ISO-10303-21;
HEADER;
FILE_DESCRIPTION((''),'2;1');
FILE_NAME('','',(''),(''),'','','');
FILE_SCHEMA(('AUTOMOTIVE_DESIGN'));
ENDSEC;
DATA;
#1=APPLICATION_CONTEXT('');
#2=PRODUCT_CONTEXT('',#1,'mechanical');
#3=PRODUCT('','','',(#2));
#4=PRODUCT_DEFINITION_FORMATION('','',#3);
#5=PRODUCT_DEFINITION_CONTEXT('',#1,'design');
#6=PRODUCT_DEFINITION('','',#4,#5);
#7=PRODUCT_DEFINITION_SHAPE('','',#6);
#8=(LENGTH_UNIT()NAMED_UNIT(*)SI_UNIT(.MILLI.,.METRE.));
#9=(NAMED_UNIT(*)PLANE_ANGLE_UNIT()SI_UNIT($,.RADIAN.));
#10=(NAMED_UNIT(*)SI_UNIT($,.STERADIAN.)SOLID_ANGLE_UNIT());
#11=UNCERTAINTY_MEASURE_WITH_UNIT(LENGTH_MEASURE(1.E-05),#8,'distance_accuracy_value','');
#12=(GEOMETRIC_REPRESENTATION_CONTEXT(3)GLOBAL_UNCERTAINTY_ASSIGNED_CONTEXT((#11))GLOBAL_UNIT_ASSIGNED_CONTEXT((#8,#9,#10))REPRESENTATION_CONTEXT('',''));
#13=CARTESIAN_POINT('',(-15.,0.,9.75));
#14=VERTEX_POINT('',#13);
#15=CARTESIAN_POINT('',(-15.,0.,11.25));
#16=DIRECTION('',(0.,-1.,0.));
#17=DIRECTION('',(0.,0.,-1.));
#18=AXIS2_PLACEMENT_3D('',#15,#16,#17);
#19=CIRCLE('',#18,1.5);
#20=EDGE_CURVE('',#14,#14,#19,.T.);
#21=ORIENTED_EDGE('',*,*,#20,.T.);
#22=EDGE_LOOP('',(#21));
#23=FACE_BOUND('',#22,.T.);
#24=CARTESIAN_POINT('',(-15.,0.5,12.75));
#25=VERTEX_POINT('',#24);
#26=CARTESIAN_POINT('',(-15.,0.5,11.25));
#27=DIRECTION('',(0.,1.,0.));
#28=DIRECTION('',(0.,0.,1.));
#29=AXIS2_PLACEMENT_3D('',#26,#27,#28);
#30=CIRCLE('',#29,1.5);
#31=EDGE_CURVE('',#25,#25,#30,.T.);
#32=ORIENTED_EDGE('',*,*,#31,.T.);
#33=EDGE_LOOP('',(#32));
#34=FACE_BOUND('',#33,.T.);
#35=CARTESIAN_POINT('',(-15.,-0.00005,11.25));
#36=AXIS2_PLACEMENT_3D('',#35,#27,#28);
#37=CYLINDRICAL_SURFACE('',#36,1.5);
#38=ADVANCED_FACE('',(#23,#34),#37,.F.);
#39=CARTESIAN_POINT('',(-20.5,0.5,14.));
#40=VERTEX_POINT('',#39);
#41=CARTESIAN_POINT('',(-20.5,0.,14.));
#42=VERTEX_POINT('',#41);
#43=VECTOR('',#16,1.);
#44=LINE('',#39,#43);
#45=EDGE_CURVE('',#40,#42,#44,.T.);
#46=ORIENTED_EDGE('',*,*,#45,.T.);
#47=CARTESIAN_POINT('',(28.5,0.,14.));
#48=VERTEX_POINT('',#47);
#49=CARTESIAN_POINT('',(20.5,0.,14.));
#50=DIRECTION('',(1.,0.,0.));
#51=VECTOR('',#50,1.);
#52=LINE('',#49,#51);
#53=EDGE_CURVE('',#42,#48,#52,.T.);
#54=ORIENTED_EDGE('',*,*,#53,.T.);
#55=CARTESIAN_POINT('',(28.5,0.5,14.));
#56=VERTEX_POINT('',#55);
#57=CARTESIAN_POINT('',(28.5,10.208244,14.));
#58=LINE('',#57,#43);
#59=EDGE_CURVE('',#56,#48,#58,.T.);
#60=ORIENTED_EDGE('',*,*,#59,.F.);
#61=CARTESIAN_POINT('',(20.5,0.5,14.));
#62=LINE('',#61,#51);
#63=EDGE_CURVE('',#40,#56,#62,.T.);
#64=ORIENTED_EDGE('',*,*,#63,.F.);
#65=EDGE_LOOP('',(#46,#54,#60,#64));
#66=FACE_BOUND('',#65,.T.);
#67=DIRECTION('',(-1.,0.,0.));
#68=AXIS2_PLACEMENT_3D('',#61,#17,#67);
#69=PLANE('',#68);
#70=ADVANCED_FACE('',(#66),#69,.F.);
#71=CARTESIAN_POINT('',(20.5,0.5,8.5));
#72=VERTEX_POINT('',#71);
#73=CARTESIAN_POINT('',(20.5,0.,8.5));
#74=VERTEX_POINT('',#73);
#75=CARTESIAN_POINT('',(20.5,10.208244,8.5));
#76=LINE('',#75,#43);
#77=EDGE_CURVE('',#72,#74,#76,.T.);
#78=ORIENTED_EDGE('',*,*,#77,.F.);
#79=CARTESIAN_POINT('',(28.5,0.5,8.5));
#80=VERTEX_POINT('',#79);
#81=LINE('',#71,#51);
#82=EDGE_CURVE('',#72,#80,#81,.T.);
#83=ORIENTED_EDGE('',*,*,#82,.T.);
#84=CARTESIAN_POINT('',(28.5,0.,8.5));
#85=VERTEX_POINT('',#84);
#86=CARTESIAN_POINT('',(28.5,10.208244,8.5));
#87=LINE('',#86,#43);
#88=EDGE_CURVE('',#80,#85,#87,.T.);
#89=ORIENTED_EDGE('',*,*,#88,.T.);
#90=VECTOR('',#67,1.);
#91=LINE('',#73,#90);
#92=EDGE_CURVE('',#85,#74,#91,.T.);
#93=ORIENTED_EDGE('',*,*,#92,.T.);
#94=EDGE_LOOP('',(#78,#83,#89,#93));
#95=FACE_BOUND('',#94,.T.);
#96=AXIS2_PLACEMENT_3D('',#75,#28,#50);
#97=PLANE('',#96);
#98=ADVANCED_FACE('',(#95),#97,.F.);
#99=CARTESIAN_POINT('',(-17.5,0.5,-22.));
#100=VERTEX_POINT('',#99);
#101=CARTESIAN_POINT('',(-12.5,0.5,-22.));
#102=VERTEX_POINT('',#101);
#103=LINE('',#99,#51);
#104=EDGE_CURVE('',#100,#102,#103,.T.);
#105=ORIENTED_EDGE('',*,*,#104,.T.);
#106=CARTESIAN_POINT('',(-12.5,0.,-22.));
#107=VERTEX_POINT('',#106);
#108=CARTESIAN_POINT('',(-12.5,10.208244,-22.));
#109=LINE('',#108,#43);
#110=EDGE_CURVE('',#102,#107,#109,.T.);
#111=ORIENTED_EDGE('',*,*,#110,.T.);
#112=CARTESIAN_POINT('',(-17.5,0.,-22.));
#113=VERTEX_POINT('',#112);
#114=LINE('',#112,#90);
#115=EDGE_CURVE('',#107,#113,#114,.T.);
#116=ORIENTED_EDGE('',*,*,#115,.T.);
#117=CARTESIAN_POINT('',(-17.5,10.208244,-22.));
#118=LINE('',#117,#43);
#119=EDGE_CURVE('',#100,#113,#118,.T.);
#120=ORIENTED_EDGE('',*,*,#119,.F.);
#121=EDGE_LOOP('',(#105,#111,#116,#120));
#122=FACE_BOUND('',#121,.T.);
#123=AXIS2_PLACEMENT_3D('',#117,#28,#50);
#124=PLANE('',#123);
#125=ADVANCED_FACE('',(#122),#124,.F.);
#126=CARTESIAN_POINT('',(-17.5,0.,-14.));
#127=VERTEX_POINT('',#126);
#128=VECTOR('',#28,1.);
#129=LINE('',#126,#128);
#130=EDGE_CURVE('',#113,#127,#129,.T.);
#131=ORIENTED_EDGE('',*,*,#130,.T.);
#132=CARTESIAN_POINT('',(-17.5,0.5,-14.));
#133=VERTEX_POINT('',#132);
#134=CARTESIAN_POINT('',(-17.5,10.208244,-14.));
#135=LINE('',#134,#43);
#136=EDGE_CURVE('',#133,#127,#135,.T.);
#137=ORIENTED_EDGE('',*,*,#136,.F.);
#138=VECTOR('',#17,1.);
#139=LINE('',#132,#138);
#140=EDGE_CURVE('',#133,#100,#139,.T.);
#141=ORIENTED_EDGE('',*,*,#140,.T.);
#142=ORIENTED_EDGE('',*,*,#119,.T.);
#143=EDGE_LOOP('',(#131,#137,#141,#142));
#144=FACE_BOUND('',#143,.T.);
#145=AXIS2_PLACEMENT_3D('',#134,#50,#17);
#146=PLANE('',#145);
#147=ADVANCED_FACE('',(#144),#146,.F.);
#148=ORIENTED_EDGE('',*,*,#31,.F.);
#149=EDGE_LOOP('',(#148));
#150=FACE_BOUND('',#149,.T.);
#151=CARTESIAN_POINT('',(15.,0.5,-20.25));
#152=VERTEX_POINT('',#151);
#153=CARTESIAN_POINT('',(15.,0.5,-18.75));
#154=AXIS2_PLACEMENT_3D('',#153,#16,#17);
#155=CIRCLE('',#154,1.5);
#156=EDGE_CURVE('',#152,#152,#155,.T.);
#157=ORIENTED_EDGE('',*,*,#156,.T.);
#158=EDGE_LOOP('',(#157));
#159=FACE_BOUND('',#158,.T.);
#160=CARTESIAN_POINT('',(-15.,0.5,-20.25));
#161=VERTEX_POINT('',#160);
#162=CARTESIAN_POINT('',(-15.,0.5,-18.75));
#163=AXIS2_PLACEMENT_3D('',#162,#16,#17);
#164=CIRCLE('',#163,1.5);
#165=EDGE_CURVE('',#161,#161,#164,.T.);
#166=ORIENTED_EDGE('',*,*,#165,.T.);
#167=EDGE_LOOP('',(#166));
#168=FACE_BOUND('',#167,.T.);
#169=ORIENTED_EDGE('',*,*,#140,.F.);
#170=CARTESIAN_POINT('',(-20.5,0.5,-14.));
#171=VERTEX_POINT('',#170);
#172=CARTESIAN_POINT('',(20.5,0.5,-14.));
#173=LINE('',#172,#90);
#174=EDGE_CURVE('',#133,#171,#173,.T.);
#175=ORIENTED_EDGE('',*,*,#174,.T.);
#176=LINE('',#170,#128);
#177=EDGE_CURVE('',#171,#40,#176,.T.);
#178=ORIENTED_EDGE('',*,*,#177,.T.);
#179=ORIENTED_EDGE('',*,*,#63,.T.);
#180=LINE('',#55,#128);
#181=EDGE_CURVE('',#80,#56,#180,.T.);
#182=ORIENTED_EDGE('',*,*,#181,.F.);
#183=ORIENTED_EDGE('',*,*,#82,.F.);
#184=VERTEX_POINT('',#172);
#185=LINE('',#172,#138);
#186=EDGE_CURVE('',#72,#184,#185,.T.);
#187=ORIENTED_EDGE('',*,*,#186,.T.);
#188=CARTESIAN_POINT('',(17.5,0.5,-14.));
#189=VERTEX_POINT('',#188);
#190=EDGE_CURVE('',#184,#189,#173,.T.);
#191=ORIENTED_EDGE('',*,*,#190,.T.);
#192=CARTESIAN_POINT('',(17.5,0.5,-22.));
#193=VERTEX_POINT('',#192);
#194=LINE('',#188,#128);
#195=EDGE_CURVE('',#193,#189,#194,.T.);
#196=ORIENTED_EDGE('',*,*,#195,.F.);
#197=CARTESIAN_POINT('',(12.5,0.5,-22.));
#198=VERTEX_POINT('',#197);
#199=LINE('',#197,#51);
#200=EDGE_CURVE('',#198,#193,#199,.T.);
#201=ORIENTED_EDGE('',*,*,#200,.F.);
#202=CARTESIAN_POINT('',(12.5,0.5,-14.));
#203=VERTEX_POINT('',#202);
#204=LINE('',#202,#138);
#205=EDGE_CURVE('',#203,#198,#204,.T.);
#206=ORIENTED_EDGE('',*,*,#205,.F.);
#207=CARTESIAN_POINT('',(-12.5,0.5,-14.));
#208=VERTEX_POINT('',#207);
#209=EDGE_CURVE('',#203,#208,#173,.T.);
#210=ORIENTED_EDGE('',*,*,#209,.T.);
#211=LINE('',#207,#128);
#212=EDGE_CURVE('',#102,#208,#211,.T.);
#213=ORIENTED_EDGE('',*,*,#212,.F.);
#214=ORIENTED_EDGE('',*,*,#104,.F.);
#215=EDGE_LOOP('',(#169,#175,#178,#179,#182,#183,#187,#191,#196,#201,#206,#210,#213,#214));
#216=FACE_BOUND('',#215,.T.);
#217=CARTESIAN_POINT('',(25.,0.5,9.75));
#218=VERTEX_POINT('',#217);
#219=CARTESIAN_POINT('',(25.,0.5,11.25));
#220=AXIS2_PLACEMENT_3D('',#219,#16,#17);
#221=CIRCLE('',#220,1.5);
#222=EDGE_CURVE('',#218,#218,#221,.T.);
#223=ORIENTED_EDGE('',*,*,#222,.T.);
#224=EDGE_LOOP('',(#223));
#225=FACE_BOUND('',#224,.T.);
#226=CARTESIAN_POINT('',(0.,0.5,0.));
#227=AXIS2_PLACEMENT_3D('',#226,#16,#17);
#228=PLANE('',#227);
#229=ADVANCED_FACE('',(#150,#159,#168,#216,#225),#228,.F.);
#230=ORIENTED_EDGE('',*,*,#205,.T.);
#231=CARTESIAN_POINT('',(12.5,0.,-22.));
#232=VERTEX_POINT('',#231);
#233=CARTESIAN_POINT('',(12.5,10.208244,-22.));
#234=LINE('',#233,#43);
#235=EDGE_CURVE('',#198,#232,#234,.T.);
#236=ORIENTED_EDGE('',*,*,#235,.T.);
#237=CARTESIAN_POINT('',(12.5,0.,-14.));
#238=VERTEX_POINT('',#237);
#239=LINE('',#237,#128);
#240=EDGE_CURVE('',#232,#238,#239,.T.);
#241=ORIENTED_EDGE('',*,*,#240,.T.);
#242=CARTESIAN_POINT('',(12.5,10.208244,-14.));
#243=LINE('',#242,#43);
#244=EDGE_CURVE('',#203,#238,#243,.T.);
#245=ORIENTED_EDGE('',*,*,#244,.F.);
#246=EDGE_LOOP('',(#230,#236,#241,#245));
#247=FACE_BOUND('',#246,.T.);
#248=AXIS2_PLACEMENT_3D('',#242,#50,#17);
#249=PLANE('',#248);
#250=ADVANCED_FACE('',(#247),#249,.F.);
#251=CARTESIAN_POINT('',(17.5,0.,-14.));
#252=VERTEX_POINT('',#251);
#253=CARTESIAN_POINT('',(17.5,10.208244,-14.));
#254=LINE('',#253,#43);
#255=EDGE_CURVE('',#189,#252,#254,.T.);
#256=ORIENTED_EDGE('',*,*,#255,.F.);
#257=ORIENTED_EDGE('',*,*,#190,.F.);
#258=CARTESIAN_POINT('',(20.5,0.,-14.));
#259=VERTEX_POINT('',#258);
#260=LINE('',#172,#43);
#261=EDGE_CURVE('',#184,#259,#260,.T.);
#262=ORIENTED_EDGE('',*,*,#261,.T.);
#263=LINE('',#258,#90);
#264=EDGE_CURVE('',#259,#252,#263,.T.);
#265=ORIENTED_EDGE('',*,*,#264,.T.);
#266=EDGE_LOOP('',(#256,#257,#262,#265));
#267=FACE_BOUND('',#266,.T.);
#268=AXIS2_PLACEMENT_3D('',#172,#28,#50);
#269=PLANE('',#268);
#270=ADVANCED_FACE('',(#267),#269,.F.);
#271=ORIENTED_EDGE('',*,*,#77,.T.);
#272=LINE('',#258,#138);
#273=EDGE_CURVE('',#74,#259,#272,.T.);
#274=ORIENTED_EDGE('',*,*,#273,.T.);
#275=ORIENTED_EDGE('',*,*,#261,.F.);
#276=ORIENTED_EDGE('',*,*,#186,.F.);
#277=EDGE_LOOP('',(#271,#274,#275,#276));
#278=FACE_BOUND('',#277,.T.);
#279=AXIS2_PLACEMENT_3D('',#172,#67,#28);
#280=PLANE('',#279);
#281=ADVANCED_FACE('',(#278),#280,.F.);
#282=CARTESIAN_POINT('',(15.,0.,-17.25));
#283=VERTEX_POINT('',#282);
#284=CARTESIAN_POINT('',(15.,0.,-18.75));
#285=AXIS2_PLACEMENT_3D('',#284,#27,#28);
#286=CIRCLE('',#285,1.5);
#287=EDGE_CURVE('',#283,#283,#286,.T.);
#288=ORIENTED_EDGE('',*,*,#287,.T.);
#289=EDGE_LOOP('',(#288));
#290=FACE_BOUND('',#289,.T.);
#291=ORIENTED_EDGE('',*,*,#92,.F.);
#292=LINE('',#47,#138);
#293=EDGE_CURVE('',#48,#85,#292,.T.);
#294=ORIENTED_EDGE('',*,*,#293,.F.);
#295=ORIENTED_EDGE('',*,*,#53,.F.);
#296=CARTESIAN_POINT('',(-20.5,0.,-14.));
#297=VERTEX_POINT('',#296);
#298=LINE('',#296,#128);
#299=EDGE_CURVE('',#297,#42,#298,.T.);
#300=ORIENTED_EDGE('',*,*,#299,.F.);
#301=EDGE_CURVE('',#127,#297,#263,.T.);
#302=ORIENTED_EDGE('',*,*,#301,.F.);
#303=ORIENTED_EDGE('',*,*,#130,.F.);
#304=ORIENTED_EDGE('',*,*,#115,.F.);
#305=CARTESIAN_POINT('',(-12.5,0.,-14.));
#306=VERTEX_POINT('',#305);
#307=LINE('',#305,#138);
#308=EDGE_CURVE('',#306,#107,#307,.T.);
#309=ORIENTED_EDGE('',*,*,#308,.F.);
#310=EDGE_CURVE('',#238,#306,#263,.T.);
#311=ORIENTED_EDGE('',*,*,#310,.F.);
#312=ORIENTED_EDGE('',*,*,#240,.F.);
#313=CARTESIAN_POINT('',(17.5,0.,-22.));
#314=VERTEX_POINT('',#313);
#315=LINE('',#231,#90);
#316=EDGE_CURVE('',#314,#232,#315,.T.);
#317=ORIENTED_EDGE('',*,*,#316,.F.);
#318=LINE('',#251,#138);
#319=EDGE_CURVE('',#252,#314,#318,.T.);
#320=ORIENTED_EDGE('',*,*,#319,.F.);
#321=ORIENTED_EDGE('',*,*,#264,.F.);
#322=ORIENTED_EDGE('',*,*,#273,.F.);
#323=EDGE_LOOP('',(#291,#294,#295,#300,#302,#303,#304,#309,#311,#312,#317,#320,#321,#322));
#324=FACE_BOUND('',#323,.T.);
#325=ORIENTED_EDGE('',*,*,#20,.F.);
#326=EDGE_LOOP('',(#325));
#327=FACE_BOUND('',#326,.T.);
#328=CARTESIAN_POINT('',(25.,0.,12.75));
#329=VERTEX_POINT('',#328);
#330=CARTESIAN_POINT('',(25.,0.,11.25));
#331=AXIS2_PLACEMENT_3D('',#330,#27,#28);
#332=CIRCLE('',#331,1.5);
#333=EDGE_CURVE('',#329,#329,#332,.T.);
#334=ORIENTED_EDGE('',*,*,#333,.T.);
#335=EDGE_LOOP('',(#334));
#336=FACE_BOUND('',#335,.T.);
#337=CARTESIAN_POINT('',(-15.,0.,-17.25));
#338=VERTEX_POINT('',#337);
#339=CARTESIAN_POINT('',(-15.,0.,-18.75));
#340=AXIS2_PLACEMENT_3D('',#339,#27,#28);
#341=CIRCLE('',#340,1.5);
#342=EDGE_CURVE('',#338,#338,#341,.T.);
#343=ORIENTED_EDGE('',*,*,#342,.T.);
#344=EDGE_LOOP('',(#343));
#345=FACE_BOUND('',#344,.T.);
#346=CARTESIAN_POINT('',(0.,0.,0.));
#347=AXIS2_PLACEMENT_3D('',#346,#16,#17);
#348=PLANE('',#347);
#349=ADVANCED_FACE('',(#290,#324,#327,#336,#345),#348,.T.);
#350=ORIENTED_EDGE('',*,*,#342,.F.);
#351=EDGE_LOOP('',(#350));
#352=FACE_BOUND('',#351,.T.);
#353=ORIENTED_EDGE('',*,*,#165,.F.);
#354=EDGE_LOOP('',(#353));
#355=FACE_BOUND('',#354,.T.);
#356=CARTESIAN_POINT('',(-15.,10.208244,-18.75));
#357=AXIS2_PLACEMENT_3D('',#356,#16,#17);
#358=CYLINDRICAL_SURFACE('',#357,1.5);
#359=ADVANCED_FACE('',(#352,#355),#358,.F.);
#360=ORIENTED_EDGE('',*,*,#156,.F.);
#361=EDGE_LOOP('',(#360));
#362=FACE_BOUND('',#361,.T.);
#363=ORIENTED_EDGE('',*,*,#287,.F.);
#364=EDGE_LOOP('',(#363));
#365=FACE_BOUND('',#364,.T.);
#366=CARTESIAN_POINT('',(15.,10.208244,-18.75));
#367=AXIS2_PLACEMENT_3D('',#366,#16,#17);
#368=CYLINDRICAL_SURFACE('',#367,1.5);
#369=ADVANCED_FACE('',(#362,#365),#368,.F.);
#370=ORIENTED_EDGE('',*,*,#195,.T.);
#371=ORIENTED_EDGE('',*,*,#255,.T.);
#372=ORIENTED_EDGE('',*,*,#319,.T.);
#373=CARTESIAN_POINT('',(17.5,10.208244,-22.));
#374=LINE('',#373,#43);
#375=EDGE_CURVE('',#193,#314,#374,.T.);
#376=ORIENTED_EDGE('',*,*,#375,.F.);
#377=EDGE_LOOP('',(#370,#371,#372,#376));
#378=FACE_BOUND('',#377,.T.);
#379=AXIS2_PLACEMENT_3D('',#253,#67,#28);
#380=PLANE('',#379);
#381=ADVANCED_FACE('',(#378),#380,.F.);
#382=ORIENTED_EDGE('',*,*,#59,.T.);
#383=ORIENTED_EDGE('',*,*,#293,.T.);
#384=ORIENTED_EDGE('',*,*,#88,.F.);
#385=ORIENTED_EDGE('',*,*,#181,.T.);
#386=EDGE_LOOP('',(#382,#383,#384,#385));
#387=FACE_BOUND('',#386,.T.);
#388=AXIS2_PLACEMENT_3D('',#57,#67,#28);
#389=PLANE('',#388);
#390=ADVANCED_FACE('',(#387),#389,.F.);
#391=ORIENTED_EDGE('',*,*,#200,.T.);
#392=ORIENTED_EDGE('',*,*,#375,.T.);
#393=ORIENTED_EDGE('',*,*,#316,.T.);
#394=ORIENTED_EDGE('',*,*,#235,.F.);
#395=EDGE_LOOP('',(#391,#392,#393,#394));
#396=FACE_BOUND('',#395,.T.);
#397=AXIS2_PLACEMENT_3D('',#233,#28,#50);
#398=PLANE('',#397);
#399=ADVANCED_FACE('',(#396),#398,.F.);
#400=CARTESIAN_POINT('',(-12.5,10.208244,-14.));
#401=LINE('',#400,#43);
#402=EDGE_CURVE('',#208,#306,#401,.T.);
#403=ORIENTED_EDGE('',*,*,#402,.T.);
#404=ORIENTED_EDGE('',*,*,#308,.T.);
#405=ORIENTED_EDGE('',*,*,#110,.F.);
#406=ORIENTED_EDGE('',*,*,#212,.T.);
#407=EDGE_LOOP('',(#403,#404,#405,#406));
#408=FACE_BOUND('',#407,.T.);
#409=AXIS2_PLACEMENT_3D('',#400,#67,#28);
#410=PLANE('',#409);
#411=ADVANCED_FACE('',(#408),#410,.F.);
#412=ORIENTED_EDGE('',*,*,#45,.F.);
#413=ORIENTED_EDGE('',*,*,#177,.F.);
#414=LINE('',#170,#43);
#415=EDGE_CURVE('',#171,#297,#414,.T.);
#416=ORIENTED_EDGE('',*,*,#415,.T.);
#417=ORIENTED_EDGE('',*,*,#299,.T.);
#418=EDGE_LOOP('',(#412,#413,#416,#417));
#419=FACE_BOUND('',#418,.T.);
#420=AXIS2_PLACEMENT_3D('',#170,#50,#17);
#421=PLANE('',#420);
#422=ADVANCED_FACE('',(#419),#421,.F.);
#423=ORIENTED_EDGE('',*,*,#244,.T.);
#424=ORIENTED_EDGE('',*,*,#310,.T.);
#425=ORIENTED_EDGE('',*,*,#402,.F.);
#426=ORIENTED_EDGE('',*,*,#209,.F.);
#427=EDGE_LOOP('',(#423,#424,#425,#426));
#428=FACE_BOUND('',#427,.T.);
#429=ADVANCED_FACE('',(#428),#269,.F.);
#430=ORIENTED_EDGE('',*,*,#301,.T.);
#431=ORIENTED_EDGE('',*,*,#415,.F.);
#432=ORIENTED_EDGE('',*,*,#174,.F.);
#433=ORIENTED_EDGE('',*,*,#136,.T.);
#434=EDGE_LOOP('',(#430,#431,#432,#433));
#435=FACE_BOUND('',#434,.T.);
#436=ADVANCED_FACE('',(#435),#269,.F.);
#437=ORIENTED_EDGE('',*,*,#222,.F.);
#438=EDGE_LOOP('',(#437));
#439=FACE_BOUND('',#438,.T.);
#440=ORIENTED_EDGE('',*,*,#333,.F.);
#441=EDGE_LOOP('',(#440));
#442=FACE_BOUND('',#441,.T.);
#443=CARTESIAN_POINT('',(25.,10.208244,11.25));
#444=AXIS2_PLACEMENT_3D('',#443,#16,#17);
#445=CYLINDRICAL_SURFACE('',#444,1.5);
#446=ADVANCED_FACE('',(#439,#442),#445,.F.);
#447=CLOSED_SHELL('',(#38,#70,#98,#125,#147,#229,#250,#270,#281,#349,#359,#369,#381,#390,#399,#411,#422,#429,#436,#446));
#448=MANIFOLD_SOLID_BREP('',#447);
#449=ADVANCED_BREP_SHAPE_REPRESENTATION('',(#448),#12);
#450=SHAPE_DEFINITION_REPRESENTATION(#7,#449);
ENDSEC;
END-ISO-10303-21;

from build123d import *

# Parameters (mm, degrees)
SKETCH1_W           = 41
SKETCH1_H           = 28
BOSS_EXTRUDE1_DEPTH = 0.5
SKETCH2_R           = 1.5
SKETCH2_W           = 5
SKETCH2_H           = 8
SKETCH2_W_2         = 8
SKETCH2_H_2         = 5.5
BOSS_EXTRUDE2_DEPTH = 0.5
SKETCH3_R           = 1.5
CUT_EXTRUDE1_DEPTH  = 1.5


with BuildPart() as part:
    # Sketch1 → Boss-Extrude1 (new body)
    with BuildSketch(Plane(origin=(0, 0, 0), x_dir=(1, 0, 0), z_dir=(0, 1, 0))):
        Rectangle(SKETCH1_W, SKETCH1_H)
    extrude(amount=BOSS_EXTRUDE1_DEPTH)

    # Sketch2 → Boss-Extrude2 (add)
    with BuildSketch(Plane(origin=(0, 0, 0), x_dir=(1, 0, 0), z_dir=(0, 1, 0))):
        with Locations((-15, -11.25)):
            Circle(SKETCH2_R)
        with Locations((-15, 18)):
            Rectangle(SKETCH2_W, SKETCH2_H)
        with Locations((-15, 18.75)):
            Circle(SKETCH2_R, mode=Mode.SUBTRACT)
        with Locations((15, 18)):
            Rectangle(SKETCH2_W, SKETCH2_H)
        with Locations((15, 18.75)):
            Circle(SKETCH2_R, mode=Mode.SUBTRACT)
        with Locations((24.5, -11.25)):
            Rectangle(SKETCH2_W_2, SKETCH2_H_2)
        with Locations((25, -11.25)):
            Circle(SKETCH2_R, mode=Mode.SUBTRACT)
    extrude(amount=BOSS_EXTRUDE2_DEPTH)

    # Sketch3 → Cut-Extrude1 (cut, through all)
    with BuildSketch(Plane(origin=(0, 0.5, 0), x_dir=(1, 0, 0), z_dir=(0, 1, 0))):
        with Locations((-15, -11.25)):
            Circle(SKETCH3_R)
    extrude(amount=-CUT_EXTRUDE1_DEPTH, mode=Mode.SUBTRACT)


solid = part.part
